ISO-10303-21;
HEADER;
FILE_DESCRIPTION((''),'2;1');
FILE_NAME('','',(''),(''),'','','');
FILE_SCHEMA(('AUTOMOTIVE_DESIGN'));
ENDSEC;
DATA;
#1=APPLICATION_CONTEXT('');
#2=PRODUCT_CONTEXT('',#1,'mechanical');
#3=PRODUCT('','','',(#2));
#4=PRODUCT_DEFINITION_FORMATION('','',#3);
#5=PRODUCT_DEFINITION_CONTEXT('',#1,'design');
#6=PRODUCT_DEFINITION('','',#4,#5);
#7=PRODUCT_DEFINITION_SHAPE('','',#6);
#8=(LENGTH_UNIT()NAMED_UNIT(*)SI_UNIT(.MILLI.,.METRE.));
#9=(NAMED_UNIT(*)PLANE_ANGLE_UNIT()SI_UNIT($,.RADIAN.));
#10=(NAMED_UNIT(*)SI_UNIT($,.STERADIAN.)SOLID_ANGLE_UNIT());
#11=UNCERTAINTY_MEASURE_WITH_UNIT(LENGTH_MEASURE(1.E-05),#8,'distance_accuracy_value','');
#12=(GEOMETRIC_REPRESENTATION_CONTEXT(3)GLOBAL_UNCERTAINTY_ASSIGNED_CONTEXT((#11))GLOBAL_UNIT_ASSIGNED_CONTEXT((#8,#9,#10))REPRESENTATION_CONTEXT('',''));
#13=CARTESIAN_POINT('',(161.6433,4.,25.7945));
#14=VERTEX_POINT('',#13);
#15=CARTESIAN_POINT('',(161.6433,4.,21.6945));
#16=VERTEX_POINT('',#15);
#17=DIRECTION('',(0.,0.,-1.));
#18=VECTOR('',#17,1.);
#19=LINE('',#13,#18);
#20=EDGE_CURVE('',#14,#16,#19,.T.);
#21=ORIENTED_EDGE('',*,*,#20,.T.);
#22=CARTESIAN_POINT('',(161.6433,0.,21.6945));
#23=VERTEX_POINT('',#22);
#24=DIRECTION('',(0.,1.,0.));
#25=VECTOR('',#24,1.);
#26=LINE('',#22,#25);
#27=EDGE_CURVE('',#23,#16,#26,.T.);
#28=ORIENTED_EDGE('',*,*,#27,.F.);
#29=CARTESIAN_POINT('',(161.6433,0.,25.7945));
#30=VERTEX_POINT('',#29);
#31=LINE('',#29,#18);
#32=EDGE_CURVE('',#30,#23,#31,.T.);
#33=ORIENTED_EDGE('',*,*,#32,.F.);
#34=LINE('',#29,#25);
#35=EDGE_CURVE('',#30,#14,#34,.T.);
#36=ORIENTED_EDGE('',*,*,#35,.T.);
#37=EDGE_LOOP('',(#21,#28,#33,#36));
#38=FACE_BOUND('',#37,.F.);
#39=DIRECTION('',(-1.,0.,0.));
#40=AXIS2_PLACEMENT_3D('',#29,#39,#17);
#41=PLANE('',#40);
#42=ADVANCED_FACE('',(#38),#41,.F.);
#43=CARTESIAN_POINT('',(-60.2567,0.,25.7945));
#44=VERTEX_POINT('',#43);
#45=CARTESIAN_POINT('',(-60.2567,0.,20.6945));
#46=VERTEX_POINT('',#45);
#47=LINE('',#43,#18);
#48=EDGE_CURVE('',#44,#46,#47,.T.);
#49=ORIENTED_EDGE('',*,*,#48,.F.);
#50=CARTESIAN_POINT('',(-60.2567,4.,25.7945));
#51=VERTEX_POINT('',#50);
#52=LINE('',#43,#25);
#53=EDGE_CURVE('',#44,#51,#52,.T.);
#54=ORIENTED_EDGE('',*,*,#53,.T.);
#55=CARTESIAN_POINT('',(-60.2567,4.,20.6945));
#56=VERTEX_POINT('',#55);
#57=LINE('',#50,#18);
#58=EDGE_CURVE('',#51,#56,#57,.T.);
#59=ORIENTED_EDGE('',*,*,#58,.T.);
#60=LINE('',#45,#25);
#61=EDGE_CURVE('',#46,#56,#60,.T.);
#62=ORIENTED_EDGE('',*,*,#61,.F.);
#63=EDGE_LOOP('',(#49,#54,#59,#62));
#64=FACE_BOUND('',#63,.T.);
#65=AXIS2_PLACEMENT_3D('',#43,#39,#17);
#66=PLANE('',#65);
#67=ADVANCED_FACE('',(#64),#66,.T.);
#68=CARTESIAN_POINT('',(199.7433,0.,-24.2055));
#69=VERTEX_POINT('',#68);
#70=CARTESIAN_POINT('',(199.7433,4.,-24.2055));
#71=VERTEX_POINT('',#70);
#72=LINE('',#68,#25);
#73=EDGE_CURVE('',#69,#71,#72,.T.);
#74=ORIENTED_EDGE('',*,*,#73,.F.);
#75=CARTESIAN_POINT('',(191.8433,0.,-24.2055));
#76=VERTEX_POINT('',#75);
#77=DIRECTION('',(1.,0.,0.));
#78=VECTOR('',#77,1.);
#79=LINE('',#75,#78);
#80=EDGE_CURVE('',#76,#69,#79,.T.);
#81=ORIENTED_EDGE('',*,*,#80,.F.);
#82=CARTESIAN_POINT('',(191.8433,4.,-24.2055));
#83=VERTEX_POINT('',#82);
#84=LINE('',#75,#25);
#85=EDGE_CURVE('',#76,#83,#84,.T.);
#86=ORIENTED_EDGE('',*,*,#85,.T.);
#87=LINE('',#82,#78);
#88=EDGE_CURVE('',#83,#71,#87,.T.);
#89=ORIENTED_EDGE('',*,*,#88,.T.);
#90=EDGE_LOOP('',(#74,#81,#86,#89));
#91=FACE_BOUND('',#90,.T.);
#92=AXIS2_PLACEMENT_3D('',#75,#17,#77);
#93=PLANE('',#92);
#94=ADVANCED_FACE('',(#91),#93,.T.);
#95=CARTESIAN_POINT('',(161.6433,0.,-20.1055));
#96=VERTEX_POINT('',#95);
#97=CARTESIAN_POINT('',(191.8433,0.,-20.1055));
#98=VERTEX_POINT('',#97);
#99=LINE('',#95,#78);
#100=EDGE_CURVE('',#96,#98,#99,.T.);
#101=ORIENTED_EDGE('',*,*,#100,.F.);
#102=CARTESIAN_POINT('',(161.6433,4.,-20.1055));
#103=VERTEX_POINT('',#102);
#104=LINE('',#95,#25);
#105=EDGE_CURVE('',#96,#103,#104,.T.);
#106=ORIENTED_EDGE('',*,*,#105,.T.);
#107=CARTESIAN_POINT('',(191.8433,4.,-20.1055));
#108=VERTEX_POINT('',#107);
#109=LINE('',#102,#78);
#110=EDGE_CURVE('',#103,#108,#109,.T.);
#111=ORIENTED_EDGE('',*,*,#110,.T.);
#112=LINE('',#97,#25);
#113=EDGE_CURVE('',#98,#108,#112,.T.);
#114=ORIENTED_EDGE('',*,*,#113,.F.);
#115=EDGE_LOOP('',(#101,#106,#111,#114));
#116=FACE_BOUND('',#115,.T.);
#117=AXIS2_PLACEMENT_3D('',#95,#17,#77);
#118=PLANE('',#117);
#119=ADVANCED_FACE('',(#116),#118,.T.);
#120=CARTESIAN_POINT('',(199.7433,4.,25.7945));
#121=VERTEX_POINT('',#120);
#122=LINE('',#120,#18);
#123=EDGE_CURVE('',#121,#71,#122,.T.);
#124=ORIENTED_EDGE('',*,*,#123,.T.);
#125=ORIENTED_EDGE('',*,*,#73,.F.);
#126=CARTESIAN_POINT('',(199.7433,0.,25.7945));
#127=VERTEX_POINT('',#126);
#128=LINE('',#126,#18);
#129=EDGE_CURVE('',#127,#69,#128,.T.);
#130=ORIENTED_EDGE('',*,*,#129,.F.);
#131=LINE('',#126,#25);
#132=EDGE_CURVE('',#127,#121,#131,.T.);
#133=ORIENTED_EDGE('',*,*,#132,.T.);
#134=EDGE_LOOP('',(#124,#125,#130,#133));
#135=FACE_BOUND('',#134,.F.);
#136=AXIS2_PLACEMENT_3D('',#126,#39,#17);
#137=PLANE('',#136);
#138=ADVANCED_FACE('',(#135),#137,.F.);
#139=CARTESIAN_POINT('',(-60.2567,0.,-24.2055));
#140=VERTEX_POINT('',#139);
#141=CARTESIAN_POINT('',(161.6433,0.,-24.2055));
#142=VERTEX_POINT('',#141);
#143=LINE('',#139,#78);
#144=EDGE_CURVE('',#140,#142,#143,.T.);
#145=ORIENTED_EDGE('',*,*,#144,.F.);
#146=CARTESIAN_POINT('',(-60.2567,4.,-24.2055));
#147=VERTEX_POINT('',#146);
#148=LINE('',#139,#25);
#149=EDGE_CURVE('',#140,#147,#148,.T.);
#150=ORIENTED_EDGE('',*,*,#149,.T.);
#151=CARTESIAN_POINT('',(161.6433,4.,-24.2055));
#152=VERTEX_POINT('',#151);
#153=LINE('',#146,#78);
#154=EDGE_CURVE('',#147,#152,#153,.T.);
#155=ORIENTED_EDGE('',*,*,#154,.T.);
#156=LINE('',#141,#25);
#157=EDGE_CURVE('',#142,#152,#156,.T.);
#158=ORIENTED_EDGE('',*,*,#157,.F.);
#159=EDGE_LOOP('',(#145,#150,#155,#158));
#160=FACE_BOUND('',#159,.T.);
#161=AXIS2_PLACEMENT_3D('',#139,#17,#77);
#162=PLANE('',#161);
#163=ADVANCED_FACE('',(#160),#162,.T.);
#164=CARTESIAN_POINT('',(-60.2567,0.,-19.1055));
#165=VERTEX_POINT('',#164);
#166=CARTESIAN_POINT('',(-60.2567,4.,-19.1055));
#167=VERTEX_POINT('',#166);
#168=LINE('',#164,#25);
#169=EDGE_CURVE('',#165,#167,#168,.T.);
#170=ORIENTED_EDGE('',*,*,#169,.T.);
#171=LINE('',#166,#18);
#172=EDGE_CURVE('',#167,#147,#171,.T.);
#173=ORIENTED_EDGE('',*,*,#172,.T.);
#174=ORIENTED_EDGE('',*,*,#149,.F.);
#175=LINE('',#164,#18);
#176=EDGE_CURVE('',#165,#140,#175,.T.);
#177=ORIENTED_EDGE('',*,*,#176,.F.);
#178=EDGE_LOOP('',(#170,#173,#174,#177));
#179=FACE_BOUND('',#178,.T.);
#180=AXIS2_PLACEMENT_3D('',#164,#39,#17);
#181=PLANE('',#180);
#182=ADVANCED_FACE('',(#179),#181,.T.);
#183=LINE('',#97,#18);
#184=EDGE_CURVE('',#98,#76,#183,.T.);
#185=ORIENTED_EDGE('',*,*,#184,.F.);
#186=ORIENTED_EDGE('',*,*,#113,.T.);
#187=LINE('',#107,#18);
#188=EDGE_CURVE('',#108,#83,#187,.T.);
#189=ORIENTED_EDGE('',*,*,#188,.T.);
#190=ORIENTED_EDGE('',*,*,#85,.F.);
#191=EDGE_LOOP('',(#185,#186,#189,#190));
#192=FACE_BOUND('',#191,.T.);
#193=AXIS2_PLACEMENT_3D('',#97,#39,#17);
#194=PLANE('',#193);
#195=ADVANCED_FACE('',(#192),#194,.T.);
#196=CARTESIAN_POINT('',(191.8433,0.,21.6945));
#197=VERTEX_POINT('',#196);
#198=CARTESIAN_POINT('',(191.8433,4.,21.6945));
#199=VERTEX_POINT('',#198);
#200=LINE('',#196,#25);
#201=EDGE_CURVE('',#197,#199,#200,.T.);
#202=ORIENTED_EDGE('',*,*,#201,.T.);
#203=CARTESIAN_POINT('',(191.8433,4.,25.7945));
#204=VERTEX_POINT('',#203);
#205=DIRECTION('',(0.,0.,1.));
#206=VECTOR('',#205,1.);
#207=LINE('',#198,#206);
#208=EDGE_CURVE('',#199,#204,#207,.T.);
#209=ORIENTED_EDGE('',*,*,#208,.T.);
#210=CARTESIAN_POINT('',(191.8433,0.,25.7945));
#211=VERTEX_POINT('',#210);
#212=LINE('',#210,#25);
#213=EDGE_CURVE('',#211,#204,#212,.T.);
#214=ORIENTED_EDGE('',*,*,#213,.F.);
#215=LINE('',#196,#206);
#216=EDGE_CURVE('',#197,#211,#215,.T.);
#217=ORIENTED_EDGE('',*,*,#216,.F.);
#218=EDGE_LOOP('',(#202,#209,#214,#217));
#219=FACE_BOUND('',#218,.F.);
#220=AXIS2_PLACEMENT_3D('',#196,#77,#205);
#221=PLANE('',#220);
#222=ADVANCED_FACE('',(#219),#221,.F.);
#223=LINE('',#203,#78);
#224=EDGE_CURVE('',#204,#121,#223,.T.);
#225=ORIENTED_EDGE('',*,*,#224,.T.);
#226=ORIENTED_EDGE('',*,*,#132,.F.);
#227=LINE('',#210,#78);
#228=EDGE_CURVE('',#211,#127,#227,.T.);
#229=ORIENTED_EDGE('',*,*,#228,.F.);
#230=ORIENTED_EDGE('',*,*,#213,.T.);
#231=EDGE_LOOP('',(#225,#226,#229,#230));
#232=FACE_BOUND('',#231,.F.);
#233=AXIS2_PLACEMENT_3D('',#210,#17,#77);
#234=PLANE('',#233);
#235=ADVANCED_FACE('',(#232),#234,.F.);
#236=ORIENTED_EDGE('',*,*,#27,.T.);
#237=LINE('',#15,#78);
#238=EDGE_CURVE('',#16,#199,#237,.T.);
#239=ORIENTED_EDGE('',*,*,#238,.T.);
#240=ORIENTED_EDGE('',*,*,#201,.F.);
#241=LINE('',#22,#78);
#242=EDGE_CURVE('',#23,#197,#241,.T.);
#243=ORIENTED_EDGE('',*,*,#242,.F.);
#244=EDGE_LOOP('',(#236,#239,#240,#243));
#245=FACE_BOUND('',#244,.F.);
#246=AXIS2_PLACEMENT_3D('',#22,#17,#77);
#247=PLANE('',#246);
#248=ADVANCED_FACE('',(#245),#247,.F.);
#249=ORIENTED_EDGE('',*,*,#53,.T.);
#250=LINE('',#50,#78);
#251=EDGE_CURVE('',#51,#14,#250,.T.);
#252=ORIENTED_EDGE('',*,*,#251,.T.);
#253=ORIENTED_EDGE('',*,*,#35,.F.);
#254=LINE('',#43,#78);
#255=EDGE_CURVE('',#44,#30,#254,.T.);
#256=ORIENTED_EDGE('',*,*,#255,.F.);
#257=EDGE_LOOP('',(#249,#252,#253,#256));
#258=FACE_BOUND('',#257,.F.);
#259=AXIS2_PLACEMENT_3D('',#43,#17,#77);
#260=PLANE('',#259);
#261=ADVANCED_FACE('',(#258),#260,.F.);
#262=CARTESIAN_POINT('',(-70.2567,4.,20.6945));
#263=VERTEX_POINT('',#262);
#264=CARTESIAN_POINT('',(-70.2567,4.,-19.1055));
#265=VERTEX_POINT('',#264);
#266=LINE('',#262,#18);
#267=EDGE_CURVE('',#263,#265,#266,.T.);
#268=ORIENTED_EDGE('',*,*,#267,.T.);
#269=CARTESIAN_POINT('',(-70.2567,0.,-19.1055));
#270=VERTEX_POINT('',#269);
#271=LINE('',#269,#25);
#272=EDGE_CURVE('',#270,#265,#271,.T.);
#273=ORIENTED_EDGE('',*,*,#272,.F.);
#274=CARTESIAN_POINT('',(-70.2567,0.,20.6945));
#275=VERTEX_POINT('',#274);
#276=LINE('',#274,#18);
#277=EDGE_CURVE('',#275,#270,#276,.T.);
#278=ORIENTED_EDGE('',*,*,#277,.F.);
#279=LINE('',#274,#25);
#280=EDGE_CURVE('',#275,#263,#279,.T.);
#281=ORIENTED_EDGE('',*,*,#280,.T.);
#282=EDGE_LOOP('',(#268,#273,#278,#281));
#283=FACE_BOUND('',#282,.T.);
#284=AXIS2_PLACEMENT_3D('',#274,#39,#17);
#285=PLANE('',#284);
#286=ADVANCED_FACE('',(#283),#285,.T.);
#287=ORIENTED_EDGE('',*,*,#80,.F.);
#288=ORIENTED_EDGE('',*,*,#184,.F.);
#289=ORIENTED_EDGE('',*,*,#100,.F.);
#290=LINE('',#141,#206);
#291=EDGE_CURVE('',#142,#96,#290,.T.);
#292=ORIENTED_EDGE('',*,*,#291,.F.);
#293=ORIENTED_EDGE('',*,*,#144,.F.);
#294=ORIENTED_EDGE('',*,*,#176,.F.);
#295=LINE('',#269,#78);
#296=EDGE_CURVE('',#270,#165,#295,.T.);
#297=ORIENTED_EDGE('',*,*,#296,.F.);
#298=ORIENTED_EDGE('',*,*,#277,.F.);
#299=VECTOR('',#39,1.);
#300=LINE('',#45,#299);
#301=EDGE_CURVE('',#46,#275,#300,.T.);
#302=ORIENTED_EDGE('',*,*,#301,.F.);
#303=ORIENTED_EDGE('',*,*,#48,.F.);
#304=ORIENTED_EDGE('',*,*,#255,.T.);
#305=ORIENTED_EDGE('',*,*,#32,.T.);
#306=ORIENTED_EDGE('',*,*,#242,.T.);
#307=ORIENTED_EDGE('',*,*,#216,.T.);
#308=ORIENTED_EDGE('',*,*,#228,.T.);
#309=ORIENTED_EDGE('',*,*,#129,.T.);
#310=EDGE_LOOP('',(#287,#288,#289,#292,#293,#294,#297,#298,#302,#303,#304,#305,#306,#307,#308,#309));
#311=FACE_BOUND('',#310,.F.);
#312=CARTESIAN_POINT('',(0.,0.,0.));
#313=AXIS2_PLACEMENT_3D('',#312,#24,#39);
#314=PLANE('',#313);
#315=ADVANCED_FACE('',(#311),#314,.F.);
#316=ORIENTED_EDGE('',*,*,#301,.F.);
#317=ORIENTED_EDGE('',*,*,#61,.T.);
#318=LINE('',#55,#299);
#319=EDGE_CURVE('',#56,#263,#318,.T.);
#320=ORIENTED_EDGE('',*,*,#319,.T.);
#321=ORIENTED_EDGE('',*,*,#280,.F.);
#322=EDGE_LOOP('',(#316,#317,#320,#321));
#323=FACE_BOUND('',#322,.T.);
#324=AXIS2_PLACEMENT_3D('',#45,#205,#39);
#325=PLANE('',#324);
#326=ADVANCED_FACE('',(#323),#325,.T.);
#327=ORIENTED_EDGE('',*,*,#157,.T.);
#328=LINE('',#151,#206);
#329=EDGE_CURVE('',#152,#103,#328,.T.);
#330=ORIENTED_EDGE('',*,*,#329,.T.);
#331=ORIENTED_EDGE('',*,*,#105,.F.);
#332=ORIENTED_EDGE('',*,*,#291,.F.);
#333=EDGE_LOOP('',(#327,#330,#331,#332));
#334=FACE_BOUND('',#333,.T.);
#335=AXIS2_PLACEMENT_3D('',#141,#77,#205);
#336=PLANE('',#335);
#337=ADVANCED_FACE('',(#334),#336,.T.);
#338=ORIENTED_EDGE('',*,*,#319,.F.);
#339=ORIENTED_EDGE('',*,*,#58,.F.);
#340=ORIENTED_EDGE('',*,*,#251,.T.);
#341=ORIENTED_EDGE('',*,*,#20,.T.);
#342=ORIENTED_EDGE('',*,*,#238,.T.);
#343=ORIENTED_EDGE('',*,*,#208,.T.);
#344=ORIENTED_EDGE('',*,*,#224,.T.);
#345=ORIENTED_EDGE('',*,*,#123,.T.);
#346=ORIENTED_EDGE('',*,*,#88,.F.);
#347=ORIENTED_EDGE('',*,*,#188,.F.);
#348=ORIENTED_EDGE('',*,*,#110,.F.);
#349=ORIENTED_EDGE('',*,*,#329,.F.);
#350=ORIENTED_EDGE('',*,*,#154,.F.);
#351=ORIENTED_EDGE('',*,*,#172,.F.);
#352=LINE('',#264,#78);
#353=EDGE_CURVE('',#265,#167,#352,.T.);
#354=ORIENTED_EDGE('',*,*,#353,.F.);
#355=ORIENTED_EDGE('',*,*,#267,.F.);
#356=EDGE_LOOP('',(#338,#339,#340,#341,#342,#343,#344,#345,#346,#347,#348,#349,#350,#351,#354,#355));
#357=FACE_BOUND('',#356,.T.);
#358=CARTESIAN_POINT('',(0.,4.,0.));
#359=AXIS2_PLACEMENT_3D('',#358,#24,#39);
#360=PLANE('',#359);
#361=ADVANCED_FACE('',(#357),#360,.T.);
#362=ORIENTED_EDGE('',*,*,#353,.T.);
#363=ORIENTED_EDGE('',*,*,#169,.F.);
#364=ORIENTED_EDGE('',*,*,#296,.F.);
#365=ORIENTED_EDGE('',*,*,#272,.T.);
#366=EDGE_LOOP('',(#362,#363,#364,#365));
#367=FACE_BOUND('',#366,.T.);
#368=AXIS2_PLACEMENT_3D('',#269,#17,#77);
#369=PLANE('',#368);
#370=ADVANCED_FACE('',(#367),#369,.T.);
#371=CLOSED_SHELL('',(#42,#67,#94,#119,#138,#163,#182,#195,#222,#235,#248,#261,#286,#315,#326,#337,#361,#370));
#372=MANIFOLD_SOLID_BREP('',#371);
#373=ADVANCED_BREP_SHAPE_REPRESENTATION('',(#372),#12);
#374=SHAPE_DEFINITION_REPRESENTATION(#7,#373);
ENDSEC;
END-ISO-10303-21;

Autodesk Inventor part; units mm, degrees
ref_plane "YZ Plane" through (0, 0, 0) normal (1, 0, 0) x (0, 1, 0)
ref_plane "XZ Plane" through (0, 0, 0) normal (0, 1, 0) x (-1, 0, 0)
ref_plane "XY Plane" through (0, 0, 0) normal (0, 0, 1) x (1, 0, 0)
sketch "스케치1" plane through (0, 0, 0) normal (0, 1, 0) x (-1, 0, 0)
  line L0 (-199.7433, 25.7945) -> (-199.7433, -24.2055)
  line L1 (-149.7433, 25.7945) -> (-149.7433, -24.2055) construction
  line L2 (-161.6433, 25.7945) -> (-161.6433, 21.6945)
  line L3 (-161.6433, 21.6945) -> (-191.8433, 21.6945)
  line L4 (-191.8433, 21.6945) -> (-191.8433, 25.7945)
  line L5 (-153.7433, 25.7945) -> (-153.7433, -24.2055) construction
  line L6 (-161.6433, -24.2055) -> (-161.6433, -20.1055)
  line L7 (-161.6433, -20.1055) -> (-191.8433, -20.1055)
  line L8 (-191.8433, -20.1055) -> (-191.8433, -24.2055)
  line L9 (60.2567, 25.7945) -> (60.2567, 20.6945)
  line L10 (60.2567, 20.6945) -> (70.2567, 20.6945)
  line L11 (70.2567, 20.6945) -> (70.2567, -19.1055)
  line L12 (70.2567, -19.1055) -> (60.2567, -19.1055)
  line L13 (60.2567, -19.1055) -> (60.2567, -24.2055)
  line L14 (60.2567, -24.2055) -> (-161.6433, -24.2055)
  line L15 (-191.8433, -24.2055) -> (-199.7433, -24.2055)
  line L16 (60.2567, 25.7945) -> (-161.6433, 25.7945)
  line L17 (-191.8433, 25.7945) -> (-199.7433, 25.7945)
  point P0 (0, 0)
  point P1 (-199.7433, 0.7945)
  point P2 (-149.7433, 0.7945)
  point P3 (-161.6433, 23.7445)
  point P4 (-161.6433, -22.1555)
  point P5 (-195.7933, -24.2055)
  dimension "d2" = 260
  dimension "d4" = 50
  dimension "d5" = 4.1
  dimension "d6" = 30.2
  dimension "d7" = 4
  dimension "d8" = 7.9
  dimension "d9" = 4.1
  dimension "d10" = 30.2
  dimension "d11" = 7.9
  dimension "d12" = 5.1
  dimension "d13" = 5.1
  dimension "d14" = 10
  dimension "d17" = 50
extrude "돌출1" add sketch "스케치1" along normal blind 4
properties part number "우측 센서 막대기"
